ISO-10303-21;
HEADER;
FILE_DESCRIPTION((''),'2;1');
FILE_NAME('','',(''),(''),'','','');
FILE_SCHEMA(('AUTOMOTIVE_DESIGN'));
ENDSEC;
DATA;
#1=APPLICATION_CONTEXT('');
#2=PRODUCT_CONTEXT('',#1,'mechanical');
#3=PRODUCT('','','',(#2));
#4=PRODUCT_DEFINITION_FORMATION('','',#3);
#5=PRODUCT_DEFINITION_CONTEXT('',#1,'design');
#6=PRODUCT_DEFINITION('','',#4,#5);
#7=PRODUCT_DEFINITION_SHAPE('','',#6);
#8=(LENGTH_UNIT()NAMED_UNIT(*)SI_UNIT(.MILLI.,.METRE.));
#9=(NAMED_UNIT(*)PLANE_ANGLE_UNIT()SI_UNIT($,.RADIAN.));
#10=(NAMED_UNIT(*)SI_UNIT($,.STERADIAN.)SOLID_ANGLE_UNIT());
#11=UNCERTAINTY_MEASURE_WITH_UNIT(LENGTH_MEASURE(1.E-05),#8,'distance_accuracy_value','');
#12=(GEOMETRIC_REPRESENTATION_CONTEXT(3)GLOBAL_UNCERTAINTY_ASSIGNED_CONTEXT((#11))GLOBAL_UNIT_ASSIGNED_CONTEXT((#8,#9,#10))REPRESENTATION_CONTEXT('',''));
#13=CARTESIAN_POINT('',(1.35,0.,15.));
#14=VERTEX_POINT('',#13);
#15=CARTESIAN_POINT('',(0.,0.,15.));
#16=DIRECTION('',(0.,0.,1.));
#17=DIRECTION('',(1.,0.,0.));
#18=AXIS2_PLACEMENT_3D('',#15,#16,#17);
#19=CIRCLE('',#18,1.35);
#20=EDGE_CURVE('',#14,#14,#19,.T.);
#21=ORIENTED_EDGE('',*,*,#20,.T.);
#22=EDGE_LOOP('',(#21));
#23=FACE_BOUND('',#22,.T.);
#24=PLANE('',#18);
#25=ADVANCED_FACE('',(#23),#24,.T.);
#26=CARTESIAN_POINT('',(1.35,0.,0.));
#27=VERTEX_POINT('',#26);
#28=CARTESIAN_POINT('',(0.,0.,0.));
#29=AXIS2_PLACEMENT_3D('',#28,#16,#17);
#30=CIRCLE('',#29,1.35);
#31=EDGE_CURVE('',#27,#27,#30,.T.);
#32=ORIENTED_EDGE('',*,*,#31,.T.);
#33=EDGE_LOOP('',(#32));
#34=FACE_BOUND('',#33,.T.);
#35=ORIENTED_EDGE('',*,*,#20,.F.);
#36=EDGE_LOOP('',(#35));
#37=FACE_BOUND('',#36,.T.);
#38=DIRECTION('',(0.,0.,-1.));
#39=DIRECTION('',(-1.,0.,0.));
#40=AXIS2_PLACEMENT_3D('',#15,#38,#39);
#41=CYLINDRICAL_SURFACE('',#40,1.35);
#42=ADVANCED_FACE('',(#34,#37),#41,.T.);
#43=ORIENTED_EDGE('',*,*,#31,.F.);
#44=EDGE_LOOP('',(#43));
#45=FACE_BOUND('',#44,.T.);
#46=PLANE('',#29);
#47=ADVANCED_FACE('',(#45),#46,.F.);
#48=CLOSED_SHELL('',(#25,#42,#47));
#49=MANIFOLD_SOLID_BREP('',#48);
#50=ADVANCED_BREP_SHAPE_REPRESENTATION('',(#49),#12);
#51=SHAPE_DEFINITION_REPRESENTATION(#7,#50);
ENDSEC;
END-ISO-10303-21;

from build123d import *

# Parameters (mm, degrees)
SKETCH1_R           = 1.35
BOSS_EXTRUDE1_DEPTH = 15


with BuildPart() as part:
    # Sketch1 → Boss-Extrude1 (new body)
    with BuildSketch(Plane.XY):
        Circle(SKETCH1_R)
    extrude(amount=BOSS_EXTRUDE1_DEPTH)


solid = part.part
